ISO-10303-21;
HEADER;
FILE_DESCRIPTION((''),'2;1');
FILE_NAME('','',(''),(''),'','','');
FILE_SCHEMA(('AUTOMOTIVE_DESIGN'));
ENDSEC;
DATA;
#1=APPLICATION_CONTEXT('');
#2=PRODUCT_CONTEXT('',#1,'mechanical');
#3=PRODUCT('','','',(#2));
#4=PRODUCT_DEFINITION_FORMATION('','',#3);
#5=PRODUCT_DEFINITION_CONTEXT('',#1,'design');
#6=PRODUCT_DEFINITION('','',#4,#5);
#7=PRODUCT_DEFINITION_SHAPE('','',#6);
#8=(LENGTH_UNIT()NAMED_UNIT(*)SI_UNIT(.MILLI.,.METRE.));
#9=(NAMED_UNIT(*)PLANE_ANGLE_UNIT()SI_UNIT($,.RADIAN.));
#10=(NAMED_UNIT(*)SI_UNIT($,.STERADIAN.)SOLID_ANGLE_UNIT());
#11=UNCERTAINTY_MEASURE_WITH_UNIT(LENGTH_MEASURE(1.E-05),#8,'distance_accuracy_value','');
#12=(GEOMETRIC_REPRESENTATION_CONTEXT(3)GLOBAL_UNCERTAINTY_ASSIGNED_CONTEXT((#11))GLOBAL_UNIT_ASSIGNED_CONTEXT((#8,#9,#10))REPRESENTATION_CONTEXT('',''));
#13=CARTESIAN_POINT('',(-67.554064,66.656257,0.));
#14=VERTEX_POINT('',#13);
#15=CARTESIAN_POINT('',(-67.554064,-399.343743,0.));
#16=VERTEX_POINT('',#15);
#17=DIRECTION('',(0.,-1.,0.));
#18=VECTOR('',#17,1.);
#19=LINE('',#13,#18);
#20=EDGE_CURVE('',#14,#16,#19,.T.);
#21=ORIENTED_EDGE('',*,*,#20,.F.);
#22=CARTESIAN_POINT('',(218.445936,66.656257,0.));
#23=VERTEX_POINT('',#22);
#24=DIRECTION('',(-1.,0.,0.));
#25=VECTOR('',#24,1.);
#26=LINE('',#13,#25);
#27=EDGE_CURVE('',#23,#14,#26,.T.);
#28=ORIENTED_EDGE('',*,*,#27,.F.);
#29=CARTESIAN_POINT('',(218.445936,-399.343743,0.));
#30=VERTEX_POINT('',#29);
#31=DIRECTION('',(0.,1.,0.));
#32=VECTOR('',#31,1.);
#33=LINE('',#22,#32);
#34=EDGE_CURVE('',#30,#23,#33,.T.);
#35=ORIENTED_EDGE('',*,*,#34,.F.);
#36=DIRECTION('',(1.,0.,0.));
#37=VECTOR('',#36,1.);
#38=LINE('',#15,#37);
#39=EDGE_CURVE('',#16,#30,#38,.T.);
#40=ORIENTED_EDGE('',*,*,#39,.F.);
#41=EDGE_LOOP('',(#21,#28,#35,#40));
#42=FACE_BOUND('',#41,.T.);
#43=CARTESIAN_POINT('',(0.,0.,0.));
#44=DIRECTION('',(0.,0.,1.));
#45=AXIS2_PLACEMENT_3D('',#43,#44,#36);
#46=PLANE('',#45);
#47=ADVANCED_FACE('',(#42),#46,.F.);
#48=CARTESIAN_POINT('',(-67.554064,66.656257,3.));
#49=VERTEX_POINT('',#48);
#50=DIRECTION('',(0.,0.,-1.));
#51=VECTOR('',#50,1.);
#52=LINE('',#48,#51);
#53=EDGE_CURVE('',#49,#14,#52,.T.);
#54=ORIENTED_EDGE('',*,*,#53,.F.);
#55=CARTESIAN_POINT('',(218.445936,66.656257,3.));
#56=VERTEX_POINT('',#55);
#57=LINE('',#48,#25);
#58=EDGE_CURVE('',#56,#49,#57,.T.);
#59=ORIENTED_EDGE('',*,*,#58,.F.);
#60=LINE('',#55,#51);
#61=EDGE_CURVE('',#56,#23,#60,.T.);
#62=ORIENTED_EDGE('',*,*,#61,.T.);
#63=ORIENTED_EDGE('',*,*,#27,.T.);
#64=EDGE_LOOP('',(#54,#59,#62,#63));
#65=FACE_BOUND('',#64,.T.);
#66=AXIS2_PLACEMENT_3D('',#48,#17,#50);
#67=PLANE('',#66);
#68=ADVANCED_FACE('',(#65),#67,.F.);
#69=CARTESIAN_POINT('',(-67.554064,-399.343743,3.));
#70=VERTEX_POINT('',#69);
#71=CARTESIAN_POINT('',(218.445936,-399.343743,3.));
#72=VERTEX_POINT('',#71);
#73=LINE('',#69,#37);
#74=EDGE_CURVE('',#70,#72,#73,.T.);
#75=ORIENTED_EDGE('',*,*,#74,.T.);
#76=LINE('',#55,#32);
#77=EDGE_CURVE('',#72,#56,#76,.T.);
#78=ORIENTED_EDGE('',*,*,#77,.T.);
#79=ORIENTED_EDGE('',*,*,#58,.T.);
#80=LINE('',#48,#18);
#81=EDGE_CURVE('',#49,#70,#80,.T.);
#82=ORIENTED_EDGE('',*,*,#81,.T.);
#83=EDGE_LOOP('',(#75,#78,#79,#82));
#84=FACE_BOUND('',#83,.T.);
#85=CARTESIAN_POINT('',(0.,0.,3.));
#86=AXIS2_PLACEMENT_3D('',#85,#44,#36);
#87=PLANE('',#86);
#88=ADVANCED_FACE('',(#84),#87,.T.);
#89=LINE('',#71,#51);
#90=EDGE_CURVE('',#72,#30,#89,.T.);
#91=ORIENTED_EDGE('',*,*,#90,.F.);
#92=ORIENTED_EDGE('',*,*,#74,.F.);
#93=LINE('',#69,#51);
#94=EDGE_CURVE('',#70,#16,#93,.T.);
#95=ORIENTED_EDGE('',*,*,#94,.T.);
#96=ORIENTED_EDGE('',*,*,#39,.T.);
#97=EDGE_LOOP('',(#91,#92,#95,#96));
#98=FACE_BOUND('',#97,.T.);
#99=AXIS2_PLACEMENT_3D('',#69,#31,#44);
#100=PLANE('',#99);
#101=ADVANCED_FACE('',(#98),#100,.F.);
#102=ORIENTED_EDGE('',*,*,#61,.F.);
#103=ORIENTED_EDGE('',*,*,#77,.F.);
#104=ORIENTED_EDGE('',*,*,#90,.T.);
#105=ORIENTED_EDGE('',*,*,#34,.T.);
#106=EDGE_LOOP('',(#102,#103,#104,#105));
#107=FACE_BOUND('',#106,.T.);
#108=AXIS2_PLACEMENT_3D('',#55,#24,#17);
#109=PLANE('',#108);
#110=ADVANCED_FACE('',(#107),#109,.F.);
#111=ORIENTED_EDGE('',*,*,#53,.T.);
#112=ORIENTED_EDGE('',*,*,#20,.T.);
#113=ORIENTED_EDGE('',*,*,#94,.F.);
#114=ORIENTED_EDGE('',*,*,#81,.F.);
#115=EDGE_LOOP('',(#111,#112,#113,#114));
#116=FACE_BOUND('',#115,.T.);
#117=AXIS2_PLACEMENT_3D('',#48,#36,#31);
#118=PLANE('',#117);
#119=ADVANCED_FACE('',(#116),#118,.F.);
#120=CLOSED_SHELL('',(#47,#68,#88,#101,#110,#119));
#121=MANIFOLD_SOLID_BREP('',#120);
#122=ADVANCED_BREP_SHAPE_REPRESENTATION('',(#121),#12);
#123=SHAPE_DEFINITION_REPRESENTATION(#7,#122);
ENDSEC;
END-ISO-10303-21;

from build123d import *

# Parameters (mm, degrees)
ESQUISSE1_W        = 286
ESQUISSE1_H        = 466
BOSS_EXTRU_1_DEPTH = 3


with BuildPart() as part:
    # Esquisse1 → Boss.-Extru.1 (new body)
    with BuildSketch(Plane.XY):
        with Locations((75.445936041, -166.343742621)):
            Rectangle(ESQUISSE1_W, ESQUISSE1_H)
    extrude(amount=BOSS_EXTRU_1_DEPTH)


solid = part.part
